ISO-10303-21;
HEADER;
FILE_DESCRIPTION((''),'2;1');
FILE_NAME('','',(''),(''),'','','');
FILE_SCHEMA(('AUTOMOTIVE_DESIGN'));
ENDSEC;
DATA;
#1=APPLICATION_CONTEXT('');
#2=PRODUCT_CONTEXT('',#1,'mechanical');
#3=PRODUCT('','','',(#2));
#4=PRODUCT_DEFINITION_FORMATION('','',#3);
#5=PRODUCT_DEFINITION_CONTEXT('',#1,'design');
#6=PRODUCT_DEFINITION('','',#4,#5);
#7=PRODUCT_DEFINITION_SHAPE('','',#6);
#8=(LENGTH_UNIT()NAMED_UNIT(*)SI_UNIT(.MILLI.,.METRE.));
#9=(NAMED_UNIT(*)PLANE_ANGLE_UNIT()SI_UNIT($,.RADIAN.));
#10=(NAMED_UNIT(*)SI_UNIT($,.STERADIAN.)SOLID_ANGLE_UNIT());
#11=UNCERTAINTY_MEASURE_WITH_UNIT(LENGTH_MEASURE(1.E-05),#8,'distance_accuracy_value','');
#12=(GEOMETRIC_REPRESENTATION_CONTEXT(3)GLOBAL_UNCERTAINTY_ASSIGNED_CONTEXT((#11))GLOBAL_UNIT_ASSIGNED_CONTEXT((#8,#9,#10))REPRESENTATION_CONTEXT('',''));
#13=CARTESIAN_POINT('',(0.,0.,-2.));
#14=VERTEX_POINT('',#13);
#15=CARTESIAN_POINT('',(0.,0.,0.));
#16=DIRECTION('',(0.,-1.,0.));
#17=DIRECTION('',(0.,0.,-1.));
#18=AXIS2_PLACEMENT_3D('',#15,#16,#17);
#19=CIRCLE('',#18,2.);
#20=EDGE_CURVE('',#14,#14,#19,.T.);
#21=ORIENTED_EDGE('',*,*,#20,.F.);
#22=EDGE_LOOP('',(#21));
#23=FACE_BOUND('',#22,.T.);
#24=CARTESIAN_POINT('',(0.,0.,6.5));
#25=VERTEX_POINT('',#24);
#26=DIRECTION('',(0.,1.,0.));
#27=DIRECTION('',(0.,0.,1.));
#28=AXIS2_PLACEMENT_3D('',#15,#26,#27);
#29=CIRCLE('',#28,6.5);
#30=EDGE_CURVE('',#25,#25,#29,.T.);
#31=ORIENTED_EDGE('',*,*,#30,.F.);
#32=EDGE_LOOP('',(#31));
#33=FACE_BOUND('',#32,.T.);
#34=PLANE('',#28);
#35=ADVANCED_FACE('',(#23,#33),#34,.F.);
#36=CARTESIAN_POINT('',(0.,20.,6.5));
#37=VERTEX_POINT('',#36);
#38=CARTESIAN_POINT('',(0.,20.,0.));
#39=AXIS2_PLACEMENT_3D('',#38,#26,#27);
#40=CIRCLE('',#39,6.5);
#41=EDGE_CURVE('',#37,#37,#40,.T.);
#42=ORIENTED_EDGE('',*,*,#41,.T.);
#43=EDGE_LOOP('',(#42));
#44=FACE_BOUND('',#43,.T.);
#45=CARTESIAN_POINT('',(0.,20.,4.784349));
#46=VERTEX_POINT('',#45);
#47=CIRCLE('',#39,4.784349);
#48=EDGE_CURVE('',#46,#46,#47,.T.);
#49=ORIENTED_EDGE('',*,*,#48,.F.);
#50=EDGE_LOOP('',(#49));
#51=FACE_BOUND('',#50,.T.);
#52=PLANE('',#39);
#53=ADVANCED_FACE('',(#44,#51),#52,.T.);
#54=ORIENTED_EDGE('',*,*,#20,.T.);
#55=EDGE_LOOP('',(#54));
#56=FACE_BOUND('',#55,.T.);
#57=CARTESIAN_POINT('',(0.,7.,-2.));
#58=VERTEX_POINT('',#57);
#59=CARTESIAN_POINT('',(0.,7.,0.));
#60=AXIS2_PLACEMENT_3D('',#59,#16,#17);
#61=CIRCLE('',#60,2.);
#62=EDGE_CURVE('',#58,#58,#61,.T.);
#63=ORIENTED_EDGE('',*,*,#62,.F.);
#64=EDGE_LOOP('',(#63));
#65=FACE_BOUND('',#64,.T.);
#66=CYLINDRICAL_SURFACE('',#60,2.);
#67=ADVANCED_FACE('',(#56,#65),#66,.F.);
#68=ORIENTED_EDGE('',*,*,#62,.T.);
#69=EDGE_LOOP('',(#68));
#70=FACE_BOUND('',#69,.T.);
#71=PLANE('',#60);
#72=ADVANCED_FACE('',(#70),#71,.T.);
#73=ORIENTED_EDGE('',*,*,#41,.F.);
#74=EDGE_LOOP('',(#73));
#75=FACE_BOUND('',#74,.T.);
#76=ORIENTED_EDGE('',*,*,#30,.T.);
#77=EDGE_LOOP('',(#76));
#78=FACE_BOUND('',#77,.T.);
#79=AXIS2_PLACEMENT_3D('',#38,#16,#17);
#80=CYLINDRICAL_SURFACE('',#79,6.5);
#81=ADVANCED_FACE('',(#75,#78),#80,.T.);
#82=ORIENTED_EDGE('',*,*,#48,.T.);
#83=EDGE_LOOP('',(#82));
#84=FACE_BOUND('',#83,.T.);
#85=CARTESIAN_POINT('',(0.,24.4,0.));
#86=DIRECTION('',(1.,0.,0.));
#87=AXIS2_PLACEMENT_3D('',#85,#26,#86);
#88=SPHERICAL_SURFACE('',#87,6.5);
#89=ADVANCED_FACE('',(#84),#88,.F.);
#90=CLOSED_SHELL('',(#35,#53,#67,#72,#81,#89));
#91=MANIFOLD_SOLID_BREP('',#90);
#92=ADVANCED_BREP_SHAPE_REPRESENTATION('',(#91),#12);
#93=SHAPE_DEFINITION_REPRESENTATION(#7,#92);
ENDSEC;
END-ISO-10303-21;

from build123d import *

# Parameters (mm, degrees)
SKETCH1_R           = 6.5
BOSS_EXTRUDE1_DEPTH = 20
SKETCH2_R           = 2
CUT_EXTRUDE1_DEPTH  = 7


with BuildPart() as part:
    # Sketch1 → Boss-Extrude1 (new body)
    with BuildSketch(Plane(origin=(0, 0, 0), x_dir=(1, 0, 0), z_dir=(0, 1, 0))):
        with Locations(Location((0, 0, 0), (0, 0, 270))):
            Circle(SKETCH1_R)
    extrude(amount=BOSS_EXTRUDE1_DEPTH)

    # Sketch2 → Cut-Extrude1 (cut)
    with BuildSketch(Plane.XZ):
        with Locations(Location((0, 0, 0), (0, 0, 270))):
            Circle(SKETCH2_R)
    extrude(amount=-CUT_EXTRUDE1_DEPTH, mode=Mode.SUBTRACT)

    # Sketch3 → Cut-Revolve1 (revolve, cut)
    with BuildSketch(Plane.XY):
        with BuildLine():
            Line((0, 30.9), (0, 17.9))
            ThreePointArc((0, 17.9), (-6.5, 24.4), (0, 30.9))
        make_face()
    revolve(axis=Axis((0, 20, 0), (0, -1, 0)), mode=Mode.SUBTRACT)


solid = part.part
